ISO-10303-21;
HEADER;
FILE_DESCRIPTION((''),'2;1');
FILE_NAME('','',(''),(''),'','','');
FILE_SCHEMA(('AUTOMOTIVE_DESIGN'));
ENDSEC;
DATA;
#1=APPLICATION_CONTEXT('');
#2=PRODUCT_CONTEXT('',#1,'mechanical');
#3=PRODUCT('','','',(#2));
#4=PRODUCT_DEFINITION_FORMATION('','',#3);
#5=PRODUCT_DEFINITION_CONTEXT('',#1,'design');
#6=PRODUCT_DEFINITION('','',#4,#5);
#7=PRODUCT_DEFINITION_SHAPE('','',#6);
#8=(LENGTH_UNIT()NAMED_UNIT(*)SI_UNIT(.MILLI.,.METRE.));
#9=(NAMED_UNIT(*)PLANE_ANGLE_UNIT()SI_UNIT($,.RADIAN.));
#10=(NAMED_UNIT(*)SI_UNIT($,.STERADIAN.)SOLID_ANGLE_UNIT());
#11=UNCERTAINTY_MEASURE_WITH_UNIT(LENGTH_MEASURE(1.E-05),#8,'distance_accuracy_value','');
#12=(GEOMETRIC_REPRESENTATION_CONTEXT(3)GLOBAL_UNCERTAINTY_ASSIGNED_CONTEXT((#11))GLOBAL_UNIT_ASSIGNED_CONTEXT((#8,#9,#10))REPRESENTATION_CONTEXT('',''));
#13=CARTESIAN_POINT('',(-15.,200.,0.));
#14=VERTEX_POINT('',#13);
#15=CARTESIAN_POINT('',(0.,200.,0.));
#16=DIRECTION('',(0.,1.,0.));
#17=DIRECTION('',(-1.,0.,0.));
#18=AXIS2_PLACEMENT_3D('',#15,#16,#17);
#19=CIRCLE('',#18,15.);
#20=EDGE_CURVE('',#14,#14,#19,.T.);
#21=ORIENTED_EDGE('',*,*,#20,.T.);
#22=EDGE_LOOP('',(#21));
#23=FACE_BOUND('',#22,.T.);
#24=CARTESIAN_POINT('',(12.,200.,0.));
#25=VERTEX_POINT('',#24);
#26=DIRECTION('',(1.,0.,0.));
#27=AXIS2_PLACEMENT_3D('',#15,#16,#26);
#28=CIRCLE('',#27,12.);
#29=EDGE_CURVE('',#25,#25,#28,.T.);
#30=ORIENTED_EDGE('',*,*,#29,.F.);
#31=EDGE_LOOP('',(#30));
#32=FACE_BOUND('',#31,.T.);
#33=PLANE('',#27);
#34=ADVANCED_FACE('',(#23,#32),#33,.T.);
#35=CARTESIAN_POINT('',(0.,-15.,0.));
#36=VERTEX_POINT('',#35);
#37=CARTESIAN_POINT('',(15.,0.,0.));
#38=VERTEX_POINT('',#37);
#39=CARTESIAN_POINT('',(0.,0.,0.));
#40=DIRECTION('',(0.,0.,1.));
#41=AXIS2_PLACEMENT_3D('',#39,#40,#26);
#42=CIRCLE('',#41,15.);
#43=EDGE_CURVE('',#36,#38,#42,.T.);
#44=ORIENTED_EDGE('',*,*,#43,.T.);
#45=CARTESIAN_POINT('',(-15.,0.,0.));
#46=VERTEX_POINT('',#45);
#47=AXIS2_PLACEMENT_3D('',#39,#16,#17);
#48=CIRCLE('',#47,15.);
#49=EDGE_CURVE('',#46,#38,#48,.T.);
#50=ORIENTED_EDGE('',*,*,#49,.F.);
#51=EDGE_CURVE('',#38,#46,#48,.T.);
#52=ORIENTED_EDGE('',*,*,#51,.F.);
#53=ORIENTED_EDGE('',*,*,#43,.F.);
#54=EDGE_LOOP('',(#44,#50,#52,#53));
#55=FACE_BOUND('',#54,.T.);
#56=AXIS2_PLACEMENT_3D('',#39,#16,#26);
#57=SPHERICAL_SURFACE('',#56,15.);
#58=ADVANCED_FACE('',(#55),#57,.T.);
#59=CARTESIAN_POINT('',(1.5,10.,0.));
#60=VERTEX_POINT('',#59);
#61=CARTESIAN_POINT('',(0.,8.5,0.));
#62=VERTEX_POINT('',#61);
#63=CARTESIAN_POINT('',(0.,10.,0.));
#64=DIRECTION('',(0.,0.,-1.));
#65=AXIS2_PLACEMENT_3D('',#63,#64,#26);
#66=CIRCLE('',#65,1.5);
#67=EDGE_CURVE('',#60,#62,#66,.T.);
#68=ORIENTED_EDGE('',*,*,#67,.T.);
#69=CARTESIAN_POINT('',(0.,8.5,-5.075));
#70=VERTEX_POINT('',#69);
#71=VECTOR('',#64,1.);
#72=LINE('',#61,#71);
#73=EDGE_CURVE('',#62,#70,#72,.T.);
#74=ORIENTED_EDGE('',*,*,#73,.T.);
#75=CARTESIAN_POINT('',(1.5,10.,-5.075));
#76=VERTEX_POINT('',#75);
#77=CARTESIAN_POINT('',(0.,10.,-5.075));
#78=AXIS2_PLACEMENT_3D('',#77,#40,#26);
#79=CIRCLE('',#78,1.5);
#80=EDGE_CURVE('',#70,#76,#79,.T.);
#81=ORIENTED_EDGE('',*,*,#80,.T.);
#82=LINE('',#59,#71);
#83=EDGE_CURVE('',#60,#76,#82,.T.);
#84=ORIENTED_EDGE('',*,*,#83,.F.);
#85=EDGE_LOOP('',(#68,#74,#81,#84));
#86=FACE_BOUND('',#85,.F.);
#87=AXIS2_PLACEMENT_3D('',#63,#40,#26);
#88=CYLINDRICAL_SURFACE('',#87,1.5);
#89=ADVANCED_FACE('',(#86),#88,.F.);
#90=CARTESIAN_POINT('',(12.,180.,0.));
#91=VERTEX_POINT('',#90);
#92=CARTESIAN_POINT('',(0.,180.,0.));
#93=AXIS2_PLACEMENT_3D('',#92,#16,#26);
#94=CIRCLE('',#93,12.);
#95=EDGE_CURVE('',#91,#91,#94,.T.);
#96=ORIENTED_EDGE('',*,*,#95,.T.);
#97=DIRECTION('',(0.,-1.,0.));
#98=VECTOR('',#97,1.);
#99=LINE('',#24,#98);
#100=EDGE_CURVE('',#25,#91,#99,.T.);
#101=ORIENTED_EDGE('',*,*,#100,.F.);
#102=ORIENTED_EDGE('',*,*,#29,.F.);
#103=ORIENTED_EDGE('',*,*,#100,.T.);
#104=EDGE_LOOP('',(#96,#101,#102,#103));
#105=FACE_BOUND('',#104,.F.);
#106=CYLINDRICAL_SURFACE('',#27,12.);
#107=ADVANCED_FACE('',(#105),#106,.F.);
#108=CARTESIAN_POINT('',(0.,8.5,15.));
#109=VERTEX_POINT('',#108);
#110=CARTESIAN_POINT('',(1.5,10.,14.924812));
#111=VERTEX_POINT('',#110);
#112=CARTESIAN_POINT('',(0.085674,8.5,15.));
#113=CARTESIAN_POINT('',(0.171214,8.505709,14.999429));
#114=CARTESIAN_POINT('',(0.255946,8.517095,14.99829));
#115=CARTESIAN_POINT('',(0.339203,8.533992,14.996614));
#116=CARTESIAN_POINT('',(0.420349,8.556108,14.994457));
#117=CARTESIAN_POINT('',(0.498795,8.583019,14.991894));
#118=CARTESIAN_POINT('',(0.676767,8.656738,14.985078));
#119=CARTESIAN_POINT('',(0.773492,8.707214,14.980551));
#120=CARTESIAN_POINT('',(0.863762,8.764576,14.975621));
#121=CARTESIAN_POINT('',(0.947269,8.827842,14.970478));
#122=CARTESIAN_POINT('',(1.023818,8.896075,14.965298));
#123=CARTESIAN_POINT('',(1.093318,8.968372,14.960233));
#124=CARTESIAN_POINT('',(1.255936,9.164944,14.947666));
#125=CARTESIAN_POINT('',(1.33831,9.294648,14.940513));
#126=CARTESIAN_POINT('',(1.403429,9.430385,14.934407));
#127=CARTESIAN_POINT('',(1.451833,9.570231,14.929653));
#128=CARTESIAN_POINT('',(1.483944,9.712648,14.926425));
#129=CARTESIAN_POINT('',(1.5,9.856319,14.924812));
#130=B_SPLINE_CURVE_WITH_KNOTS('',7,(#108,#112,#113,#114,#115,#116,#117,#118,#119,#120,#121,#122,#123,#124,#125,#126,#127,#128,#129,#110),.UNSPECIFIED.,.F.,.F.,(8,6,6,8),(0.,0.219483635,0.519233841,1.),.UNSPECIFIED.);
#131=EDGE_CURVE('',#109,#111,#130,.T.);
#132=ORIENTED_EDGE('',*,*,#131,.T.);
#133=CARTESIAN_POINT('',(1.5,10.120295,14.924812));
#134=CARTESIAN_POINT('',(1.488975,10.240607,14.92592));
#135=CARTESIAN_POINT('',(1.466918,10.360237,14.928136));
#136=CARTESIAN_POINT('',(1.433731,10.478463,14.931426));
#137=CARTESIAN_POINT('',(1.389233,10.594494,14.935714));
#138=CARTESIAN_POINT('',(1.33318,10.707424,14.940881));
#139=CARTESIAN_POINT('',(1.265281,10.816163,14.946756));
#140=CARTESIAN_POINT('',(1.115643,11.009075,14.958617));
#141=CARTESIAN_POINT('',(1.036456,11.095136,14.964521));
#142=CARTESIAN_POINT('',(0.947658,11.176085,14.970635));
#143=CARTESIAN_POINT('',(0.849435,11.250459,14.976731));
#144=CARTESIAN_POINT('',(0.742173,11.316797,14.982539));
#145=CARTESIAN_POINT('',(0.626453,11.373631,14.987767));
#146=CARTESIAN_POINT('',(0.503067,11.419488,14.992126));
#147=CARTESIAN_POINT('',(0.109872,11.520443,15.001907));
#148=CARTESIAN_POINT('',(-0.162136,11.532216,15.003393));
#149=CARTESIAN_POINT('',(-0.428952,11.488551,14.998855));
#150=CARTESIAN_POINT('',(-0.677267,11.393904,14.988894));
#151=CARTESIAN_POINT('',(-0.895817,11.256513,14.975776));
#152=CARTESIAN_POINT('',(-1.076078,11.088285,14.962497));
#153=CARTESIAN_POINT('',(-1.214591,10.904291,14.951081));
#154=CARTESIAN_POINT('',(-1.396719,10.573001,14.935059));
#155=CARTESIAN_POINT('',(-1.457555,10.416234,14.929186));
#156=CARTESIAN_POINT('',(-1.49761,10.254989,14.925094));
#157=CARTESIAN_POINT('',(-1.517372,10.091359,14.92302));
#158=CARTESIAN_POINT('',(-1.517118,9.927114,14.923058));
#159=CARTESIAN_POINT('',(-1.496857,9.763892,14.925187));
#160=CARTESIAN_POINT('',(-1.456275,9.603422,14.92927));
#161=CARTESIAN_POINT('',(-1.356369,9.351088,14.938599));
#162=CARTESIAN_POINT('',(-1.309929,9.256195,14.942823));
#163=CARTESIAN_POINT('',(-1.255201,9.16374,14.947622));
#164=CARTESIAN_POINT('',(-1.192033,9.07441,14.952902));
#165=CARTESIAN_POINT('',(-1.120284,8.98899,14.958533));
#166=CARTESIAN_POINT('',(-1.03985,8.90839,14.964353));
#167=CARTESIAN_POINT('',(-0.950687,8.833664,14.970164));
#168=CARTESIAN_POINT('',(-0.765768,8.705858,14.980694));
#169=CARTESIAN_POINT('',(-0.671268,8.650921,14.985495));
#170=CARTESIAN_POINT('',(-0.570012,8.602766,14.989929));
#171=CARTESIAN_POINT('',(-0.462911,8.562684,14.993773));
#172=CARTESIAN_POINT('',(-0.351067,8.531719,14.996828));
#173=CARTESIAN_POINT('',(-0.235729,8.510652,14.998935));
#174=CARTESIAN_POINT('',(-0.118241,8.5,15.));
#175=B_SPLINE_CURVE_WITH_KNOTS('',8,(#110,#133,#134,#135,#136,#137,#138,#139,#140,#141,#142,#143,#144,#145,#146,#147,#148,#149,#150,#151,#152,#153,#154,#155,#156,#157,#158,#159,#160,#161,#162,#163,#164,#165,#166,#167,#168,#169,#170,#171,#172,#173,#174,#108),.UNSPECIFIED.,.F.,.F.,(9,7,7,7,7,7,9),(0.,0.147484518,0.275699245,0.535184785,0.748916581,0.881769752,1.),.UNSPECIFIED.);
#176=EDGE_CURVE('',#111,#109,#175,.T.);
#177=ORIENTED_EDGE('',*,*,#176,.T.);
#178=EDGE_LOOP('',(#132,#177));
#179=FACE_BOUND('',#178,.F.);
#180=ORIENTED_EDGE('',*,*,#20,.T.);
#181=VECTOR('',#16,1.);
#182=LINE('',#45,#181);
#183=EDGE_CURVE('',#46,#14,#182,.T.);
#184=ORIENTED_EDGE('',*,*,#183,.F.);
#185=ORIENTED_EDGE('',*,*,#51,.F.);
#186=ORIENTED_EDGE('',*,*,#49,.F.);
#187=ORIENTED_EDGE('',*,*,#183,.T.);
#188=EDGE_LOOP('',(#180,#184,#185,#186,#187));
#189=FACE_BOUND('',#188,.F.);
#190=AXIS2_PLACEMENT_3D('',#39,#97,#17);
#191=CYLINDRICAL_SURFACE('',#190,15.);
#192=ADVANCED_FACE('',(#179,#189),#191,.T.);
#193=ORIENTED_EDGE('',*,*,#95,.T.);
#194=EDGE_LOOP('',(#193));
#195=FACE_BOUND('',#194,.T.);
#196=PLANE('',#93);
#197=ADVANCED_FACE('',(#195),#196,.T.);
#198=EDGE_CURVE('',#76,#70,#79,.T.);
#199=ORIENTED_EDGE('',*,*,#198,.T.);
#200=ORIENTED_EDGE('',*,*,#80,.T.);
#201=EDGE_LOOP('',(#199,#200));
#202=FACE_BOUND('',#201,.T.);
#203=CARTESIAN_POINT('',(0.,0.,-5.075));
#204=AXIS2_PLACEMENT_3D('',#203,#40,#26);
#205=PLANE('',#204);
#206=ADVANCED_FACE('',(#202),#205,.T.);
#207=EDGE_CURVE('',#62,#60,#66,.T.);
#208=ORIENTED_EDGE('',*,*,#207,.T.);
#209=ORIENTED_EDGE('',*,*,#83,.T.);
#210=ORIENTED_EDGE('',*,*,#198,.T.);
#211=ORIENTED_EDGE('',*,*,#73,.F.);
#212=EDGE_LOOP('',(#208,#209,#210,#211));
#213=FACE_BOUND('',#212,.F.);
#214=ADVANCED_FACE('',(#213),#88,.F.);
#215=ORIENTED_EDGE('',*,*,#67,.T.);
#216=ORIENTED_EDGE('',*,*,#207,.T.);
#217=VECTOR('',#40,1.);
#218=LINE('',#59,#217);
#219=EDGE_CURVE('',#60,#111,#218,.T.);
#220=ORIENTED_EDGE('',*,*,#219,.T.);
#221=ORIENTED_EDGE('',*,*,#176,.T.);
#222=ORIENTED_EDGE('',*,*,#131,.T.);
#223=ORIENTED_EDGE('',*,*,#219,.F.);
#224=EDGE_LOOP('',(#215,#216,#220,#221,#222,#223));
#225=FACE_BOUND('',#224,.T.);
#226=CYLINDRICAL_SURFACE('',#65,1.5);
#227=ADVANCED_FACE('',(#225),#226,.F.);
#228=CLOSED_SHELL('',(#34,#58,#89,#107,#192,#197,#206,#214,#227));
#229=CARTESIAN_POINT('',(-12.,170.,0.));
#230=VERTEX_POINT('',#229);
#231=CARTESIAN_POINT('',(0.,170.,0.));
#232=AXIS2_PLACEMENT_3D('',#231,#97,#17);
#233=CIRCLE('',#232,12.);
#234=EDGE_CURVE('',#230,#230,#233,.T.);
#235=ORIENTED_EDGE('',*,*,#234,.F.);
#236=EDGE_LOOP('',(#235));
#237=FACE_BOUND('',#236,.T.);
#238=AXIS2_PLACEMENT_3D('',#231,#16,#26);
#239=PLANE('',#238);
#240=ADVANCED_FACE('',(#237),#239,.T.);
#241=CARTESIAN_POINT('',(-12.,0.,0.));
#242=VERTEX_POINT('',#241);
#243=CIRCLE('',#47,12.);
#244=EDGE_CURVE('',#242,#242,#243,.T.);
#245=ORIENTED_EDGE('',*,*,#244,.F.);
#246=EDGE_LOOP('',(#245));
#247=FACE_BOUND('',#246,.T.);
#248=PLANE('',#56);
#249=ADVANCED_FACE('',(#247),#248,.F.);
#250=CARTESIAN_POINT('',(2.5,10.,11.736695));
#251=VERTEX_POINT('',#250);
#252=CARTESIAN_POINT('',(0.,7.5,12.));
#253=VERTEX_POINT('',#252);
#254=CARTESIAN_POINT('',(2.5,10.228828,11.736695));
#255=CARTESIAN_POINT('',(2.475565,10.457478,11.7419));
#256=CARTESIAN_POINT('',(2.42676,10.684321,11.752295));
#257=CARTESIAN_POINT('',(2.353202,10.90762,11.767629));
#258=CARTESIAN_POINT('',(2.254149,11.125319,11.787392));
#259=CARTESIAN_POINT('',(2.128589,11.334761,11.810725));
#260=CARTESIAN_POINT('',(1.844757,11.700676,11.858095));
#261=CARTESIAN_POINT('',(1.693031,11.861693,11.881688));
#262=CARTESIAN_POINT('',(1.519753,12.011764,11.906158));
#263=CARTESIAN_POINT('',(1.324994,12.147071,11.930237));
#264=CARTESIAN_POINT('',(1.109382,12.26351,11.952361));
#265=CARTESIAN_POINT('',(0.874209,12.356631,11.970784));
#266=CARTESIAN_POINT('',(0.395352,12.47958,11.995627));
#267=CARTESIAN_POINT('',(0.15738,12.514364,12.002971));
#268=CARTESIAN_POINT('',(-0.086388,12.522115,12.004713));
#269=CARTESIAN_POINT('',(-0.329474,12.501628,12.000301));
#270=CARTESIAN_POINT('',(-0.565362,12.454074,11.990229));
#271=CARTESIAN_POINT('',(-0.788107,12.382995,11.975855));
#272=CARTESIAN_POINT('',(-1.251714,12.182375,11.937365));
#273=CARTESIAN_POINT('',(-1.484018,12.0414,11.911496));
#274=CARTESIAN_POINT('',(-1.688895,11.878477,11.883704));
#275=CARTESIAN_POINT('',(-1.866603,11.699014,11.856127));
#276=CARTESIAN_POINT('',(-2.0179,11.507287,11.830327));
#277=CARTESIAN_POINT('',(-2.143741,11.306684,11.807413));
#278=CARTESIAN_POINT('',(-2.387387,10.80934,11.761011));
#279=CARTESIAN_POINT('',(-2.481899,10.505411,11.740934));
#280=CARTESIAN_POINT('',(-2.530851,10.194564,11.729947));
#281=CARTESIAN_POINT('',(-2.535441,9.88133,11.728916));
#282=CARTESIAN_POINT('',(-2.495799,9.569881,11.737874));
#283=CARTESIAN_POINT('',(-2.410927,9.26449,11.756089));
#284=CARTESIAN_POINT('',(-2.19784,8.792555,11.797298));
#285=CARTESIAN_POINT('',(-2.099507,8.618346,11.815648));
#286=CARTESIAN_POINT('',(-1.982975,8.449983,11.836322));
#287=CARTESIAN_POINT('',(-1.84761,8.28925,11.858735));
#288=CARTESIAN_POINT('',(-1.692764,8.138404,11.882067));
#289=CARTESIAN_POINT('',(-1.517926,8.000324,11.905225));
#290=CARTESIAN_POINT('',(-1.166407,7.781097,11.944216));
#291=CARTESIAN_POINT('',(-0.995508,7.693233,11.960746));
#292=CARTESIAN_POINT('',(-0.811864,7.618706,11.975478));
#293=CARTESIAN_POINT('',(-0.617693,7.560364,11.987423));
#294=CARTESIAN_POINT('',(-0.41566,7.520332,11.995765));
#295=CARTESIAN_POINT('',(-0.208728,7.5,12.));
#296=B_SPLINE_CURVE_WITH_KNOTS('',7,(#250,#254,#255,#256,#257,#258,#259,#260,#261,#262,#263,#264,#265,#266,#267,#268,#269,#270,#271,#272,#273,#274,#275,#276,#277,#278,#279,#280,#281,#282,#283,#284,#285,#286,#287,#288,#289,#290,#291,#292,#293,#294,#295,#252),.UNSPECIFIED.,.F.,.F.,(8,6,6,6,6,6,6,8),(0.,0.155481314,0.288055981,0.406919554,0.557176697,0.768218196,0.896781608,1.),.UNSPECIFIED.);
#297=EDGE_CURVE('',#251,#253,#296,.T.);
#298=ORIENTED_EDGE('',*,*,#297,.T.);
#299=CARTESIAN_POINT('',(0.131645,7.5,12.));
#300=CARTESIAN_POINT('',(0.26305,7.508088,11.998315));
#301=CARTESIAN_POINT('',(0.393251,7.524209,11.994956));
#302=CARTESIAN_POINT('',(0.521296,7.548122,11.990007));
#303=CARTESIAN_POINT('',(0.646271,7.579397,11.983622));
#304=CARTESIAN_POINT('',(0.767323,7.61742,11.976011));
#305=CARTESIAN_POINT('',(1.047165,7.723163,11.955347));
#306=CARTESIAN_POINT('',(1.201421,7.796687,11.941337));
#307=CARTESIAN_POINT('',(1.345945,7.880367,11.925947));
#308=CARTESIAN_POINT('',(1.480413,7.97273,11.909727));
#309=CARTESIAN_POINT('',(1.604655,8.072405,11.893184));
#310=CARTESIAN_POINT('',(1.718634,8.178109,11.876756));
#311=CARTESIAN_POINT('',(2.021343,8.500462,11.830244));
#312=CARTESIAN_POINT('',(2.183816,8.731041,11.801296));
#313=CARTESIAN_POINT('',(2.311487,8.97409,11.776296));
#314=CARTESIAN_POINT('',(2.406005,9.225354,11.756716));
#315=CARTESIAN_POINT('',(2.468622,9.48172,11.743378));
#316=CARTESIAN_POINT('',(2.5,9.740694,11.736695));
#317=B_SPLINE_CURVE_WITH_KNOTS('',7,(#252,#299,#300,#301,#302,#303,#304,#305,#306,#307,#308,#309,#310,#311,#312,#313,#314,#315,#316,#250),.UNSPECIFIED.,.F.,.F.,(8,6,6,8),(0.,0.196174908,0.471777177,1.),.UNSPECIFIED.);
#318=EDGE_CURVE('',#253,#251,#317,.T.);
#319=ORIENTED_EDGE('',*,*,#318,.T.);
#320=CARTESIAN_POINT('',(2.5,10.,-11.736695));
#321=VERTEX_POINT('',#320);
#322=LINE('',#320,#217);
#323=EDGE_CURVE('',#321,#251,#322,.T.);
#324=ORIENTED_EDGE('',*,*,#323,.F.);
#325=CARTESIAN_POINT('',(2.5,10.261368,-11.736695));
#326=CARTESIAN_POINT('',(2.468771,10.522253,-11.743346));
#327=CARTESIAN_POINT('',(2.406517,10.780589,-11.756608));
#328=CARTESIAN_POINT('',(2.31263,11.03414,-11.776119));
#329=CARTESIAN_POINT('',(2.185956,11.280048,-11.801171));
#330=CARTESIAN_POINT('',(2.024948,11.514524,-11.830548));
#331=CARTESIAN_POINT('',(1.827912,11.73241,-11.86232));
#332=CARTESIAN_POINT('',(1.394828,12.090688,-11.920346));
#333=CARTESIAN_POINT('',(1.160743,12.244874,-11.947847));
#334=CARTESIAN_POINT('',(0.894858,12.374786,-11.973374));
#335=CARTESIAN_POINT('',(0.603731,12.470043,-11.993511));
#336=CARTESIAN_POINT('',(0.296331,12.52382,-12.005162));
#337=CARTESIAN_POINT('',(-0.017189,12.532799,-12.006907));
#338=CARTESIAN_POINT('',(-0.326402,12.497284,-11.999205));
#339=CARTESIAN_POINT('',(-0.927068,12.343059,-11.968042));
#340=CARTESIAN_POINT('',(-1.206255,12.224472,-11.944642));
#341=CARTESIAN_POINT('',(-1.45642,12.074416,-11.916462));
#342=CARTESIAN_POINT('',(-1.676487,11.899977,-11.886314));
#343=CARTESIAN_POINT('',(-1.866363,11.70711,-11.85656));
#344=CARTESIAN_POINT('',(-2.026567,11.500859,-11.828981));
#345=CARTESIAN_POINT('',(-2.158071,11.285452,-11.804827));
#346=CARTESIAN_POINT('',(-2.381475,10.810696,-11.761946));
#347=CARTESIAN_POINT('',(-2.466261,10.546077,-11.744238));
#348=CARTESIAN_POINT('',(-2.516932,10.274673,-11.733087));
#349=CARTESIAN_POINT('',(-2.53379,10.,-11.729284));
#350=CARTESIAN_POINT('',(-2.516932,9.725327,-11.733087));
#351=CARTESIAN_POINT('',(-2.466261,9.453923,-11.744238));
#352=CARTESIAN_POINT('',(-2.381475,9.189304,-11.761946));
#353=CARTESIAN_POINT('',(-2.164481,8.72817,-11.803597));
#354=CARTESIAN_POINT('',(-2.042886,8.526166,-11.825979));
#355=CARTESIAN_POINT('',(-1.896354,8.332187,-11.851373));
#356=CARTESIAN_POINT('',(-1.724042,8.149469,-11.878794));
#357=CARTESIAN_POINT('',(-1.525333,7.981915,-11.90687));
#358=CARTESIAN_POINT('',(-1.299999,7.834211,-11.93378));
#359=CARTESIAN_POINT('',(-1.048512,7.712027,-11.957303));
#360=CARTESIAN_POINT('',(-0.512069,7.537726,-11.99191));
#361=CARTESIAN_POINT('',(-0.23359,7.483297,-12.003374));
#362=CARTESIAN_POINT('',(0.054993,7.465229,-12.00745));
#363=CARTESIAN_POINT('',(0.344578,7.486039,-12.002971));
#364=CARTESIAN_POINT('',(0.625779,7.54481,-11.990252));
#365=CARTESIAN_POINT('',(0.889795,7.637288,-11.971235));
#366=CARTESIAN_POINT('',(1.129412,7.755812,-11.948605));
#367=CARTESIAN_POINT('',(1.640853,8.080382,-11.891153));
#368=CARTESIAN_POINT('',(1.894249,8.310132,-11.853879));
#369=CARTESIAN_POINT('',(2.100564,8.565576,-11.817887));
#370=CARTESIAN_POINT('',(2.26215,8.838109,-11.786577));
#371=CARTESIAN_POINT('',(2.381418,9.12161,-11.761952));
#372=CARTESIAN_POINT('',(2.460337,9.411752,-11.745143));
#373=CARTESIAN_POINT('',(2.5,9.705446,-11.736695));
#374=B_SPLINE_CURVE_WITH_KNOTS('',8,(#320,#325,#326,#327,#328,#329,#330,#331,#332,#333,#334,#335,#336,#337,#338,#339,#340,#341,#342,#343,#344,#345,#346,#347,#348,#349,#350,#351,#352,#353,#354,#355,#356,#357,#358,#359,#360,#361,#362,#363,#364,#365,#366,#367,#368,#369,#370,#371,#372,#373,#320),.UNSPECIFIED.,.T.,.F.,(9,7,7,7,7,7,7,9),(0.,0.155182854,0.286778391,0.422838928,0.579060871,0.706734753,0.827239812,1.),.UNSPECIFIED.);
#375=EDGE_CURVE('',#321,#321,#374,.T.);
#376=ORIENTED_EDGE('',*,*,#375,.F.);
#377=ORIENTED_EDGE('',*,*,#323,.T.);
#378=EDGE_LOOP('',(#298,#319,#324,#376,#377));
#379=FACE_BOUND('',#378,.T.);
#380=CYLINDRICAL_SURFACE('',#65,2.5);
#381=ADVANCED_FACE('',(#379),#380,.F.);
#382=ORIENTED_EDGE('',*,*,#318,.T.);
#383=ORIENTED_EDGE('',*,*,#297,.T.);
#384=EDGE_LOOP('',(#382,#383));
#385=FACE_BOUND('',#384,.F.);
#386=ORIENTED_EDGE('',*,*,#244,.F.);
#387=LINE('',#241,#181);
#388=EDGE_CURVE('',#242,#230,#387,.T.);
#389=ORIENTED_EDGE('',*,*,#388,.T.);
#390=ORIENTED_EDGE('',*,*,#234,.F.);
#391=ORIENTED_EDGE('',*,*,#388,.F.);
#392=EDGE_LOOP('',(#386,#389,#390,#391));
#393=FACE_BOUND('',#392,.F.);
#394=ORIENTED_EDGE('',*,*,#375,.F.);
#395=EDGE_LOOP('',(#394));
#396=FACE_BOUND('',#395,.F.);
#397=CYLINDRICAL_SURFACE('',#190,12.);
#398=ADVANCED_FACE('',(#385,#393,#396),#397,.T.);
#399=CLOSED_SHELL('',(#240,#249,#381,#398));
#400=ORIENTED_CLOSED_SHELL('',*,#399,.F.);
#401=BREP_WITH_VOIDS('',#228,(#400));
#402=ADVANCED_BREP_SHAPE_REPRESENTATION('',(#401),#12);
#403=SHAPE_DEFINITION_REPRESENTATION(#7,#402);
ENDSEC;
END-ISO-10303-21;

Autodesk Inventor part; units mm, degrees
ref_plane "YZ Plane" through (0, 0, 0) normal (1, 0, 0) x (0, 1, 0)
ref_plane "XZ Plane" through (0, 0, 0) normal (0, 1, 0) x (-1, 0, 0)
ref_plane "XY Plane" through (0, 0, 0) normal (0, 0, 1) x (1, 0, 0)
sketch "Sketch1" plane through (0, 0, 0) normal (0, 1, 0) x (-1, 0, 0)
  circle A0 centre (0, 0) radius 15
  circle A1 centre (0, 0) radius 12
  dimension "d0" = 30
  dimension "d1" = 3
extrude "Extrusion1" add sketch "Sketch1" along normal blind 200
sketch "Sketch2" plane through (0, 0, 0) normal (0, 0, 1) x (1, 0, 0)
  line L0 (0, 0) -> (15, 0)
  line L1 (15, 0) -> (15, -15)
  line L2 (15, -15) -> (0, -15)
  line L3 (0, -15) -> (0, 0)
  line L4 (15, 0) -> (-15, 0) projected
  circle A0 centre (0, 0) radius 15
  dimension "d4" = 15
  dimension "d5" = 15
revolve "Revolution1" add sketch "Sketch2" angle 360 about axis through (0, -15, 0) along (0, 1, 0) contours L0 A0 L3
sketch "Sketch3" plane through (0, 0, 0) normal (0, 0, 1) x (1, 0, 0)
  line L0 (0, 0) -> (0, 10)
  circle A0 centre (0, 10) radius 1.5
  circle A1 centre (0, 10) radius 2.5
  dimension "d7" = 10
  dimension "d8" = 3
  dimension "d9" = 5
extrude "Extrusion2" cut sketch "Sketch3" along normal blind 200 contours A0
extrude "Extrusion3" add sketch "Sketch3" against normal up to surface contours A0 | A1
extrude "Extrusion4" add sketch "Sketch3" along normal up to surface
extrude "Extrusion5" cut sketch "Sketch3" against normal blind 5.075 contours A0
sketch "Sketch4" plane through (0, 200, 0) normal (0, 1, 0) x (1, 0, 0)
  circle A0 centre (0, 0) radius 12
extrude "Extrusion6" add sketch "Sketch4" against normal blind 30
extrude "Extrusion7" cut sketch "Sketch4" against normal blind 20
properties part number "Tube_2"
